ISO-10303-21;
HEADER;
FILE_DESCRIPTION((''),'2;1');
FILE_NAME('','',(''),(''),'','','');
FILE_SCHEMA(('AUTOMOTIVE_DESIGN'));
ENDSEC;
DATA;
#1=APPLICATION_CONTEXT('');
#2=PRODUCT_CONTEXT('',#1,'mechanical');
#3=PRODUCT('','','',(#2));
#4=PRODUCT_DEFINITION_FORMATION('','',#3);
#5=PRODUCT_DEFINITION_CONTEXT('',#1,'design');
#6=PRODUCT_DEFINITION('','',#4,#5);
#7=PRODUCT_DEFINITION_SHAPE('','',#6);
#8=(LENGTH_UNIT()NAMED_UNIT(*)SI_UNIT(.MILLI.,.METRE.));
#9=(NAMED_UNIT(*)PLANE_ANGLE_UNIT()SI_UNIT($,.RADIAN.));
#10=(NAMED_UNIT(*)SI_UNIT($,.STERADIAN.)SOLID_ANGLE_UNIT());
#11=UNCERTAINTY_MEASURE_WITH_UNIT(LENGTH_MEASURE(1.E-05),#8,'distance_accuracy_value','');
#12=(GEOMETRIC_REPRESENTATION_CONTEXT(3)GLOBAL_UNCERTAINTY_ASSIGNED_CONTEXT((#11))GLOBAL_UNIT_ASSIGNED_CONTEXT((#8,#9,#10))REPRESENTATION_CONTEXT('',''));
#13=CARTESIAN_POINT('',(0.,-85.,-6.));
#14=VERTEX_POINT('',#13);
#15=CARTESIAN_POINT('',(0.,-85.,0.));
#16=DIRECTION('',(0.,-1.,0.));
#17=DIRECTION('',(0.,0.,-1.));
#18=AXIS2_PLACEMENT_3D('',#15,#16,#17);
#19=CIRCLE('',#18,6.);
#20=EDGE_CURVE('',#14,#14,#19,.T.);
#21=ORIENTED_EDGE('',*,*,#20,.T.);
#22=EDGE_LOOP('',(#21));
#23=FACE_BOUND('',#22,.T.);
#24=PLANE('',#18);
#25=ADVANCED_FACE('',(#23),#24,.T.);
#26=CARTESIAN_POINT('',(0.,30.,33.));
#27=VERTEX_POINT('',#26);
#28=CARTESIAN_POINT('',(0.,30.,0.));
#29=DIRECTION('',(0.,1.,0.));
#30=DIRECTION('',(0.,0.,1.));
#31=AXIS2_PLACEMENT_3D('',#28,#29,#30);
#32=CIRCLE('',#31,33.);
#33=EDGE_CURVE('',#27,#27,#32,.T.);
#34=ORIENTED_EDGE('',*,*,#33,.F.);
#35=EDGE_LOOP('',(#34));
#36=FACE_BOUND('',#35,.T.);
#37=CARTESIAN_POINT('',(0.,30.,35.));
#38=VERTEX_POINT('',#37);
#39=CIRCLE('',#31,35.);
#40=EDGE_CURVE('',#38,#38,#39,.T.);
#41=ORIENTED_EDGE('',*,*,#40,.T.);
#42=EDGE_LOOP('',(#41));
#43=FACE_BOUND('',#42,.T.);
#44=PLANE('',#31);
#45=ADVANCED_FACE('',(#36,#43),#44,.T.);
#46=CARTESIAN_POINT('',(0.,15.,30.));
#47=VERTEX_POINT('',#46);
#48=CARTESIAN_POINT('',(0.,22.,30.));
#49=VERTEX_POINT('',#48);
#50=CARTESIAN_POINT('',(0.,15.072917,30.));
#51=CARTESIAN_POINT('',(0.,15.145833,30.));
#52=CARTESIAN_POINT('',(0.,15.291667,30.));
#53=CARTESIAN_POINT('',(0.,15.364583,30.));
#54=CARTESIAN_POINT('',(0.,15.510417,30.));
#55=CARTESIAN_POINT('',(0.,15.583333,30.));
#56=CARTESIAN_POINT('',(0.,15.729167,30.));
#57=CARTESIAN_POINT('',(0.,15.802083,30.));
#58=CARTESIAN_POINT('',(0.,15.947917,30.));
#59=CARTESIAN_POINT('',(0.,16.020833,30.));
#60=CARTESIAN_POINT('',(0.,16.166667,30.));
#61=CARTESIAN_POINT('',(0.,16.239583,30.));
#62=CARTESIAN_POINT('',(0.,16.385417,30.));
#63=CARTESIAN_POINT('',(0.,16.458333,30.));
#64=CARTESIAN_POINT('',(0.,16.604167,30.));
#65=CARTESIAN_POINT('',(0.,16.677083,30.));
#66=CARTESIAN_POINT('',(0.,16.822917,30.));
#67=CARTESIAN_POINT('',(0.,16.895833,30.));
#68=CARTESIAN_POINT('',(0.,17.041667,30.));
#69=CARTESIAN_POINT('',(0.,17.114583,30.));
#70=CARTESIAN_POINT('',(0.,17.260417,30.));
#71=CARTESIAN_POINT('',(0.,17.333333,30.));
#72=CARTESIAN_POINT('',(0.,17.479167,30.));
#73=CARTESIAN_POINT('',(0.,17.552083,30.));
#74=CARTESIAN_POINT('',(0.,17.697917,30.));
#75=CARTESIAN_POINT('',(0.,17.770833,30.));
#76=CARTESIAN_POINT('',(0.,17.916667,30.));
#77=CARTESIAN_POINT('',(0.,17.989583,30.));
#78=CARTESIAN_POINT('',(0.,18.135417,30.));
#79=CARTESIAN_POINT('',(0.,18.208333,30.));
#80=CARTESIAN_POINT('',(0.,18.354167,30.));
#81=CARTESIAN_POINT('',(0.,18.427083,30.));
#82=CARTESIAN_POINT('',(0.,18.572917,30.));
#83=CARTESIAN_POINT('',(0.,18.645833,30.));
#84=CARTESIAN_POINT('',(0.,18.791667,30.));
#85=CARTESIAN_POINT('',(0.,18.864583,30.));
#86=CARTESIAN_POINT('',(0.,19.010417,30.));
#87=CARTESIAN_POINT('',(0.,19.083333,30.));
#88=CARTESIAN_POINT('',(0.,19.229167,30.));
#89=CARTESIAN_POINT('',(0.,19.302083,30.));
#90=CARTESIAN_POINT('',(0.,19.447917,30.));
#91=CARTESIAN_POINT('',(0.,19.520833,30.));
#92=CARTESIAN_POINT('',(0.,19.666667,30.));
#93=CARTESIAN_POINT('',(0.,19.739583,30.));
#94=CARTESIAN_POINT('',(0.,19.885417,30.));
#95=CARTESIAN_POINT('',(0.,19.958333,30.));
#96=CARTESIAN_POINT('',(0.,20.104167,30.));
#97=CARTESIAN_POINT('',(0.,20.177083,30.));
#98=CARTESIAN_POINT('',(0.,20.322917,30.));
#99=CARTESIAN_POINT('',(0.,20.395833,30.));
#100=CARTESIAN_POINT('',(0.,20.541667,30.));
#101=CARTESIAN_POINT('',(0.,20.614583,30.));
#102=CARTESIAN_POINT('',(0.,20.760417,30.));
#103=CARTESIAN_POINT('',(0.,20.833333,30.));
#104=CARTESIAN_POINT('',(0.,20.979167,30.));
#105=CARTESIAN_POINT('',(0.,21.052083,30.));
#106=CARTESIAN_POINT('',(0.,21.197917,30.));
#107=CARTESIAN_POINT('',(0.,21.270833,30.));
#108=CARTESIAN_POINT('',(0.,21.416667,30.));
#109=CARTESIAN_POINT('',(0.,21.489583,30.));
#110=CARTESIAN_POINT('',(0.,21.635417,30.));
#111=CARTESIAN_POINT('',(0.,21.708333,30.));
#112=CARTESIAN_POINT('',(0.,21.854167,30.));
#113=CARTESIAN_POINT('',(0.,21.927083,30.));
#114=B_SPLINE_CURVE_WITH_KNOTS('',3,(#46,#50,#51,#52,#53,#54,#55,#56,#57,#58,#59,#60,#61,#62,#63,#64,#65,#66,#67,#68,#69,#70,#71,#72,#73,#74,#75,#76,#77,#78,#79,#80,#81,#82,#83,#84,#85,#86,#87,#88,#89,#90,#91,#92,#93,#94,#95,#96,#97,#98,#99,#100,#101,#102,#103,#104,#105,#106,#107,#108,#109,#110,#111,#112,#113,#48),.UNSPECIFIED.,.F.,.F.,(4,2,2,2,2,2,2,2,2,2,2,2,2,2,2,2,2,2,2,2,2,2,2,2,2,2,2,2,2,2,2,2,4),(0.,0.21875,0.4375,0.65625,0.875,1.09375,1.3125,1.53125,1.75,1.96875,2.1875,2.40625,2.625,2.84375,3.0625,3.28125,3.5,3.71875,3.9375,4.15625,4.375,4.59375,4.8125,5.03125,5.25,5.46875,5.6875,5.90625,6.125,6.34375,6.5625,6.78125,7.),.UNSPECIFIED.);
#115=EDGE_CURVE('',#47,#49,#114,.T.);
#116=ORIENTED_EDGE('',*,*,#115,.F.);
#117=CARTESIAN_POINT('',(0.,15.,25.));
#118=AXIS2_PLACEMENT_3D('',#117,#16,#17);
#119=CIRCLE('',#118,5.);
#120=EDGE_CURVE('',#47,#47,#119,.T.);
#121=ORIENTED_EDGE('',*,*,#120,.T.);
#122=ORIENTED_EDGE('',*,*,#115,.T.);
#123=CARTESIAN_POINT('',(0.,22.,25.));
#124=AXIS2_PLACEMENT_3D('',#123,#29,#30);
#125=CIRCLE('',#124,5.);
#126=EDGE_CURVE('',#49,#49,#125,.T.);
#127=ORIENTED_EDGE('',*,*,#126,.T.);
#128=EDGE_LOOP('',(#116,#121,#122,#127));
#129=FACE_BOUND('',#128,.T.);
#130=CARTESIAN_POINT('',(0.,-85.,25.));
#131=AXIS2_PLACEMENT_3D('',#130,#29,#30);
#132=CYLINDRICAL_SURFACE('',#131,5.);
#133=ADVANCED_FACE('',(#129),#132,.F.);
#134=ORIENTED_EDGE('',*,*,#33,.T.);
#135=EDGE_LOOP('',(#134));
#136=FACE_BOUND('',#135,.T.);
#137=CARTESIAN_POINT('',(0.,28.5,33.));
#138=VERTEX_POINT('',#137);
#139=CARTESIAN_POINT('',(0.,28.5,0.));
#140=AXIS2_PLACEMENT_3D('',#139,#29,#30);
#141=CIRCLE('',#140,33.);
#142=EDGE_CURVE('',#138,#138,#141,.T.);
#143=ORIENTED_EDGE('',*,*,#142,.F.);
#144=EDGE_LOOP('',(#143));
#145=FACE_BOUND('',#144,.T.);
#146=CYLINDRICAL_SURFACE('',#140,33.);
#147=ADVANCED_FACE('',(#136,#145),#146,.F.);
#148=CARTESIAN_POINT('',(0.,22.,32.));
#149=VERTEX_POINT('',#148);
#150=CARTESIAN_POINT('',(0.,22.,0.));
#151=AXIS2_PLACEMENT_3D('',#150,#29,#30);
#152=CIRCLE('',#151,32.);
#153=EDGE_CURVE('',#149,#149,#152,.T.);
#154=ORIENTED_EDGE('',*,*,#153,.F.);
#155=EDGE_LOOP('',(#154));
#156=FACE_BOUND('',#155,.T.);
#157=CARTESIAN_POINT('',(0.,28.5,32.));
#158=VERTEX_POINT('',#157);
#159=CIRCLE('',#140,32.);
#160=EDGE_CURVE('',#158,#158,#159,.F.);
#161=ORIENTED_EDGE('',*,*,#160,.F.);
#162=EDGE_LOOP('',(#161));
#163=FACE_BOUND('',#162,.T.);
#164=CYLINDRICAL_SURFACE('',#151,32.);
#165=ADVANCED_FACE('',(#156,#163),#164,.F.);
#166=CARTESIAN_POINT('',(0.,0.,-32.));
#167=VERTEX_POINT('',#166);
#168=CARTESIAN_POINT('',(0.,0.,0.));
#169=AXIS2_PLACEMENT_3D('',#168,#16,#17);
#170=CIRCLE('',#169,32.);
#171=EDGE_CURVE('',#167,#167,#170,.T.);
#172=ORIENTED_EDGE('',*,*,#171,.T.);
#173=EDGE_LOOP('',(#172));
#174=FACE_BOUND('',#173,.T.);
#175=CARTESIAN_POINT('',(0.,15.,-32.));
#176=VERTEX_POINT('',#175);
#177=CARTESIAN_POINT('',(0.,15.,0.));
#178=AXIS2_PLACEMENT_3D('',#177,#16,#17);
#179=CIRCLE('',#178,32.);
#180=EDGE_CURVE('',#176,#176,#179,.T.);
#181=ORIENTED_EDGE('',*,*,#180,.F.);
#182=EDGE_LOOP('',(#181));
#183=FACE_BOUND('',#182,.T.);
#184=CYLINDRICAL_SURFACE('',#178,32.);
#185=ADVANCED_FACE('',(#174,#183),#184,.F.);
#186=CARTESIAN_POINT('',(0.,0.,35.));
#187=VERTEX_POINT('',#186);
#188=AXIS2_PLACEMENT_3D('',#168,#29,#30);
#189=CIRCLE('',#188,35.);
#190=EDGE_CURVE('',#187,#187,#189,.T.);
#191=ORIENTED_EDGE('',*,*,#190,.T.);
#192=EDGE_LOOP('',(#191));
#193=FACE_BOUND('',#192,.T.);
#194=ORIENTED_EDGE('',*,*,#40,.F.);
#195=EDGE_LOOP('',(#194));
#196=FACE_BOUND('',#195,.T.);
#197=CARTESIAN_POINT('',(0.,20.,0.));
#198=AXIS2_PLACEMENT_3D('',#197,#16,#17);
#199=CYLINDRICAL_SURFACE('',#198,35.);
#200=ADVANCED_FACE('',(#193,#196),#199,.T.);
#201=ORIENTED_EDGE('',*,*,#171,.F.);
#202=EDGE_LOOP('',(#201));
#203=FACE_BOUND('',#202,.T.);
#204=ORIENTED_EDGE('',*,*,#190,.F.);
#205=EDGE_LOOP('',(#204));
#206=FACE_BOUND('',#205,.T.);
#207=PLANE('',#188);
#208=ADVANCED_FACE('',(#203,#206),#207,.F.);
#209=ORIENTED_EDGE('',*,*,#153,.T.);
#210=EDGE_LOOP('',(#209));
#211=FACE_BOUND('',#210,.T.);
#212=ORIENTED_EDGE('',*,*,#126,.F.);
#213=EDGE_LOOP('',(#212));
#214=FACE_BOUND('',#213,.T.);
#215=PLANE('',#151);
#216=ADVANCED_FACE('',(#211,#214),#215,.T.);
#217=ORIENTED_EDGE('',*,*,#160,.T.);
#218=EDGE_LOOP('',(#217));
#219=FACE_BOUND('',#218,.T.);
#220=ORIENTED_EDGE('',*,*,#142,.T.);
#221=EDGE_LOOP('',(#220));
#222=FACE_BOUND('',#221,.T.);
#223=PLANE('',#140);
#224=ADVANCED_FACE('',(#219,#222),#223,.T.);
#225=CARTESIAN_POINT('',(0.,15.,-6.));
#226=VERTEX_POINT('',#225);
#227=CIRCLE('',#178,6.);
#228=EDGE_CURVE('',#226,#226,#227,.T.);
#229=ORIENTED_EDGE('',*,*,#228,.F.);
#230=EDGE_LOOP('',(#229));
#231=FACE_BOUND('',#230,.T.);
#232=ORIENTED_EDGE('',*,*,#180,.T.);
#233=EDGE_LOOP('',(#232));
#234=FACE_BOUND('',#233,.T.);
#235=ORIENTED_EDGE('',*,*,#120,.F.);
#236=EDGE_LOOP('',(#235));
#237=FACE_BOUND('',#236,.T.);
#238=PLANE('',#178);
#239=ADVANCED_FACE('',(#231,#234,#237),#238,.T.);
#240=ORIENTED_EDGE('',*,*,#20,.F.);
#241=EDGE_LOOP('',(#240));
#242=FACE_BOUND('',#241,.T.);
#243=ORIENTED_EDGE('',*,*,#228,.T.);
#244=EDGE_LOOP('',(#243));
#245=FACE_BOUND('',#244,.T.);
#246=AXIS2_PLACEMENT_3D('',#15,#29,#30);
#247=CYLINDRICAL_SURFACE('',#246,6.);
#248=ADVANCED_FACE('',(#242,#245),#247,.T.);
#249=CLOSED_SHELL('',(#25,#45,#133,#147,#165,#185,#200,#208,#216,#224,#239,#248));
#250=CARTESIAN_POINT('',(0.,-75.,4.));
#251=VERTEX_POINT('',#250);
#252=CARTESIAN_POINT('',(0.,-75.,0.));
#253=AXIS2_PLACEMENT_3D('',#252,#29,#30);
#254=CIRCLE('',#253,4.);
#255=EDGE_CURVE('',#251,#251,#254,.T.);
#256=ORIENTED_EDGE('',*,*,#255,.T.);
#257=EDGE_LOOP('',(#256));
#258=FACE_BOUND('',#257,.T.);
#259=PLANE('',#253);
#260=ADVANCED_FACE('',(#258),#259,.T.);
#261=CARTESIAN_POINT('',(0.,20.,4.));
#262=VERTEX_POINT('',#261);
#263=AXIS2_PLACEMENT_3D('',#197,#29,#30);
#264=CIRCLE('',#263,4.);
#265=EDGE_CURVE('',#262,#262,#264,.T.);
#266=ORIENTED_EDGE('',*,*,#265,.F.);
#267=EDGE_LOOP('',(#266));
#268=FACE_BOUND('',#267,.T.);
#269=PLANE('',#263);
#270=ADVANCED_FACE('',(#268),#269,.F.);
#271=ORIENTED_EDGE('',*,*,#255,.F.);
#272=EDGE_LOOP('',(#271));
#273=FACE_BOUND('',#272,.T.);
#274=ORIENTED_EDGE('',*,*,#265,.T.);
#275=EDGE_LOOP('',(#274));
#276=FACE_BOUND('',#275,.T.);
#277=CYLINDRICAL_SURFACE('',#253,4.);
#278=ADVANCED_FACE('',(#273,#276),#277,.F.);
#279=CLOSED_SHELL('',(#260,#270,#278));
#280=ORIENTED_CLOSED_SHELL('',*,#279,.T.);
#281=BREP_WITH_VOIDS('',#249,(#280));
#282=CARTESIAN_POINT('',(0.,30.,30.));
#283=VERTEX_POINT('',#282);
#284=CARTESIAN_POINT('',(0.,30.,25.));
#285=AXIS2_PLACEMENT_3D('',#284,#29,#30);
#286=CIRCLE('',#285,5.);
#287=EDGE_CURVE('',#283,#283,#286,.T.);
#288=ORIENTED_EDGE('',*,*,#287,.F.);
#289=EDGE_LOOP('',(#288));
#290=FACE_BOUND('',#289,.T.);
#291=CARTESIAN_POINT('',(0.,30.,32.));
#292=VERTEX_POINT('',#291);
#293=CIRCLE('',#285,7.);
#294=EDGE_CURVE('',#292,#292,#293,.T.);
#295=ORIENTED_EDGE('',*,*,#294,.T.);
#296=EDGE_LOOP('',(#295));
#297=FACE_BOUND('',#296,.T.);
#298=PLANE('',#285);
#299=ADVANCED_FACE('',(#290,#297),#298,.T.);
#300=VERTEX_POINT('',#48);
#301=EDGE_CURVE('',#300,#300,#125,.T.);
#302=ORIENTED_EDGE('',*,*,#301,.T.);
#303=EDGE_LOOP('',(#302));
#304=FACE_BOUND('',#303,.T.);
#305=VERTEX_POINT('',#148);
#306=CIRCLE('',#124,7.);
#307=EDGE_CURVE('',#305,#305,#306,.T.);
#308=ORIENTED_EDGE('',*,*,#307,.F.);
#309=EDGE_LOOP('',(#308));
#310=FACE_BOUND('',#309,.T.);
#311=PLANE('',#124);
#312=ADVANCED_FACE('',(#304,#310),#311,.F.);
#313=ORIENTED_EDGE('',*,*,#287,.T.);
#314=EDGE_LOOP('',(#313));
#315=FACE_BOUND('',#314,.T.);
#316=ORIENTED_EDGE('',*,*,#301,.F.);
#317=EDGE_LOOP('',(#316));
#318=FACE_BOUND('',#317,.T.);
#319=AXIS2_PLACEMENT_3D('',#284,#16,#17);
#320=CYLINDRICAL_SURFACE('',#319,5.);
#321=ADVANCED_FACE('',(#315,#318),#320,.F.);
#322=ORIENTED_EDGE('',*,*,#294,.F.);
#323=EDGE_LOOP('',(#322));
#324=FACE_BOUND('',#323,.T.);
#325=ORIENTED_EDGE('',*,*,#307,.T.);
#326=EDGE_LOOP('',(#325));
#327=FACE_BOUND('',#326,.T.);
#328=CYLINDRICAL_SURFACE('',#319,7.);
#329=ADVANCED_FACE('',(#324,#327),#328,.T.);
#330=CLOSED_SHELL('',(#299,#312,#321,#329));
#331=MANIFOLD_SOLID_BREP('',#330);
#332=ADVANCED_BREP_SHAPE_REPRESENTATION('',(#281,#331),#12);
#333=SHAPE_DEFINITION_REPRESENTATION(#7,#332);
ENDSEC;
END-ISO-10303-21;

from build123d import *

# Parameters (mm, degrees)
SKETCH2_R            = 35
BOSS_EXTRUDE2_DEPTH  = 20
SKETCH3_R            = 32
CUT_EXTRUDE1_DEPTH   = 15
SKETCH4_R            = 6
BOSS_EXTRUDE3_DEPTH  = 100
SKETCH6_R            = 4
CUT_EXTRUDE3_DEPTH   = 95
SKETCH8_R            = 35
BOSS_EXTRUDE4_DEPTH  = 10
CUT_EXTRUDE4_START   = -8
SKETCH9_R            = 32
CUT_EXTRUDE4_DEPTH   = 8
SKETCH10_R           = 33
SKETCH10_R_2         = 31
CUT_EXTRUDE5_DEPTH   = 1.5
SKETCH11_R           = 5
CUT_EXTRUDE6_DEPTH   = 118.894020205
SKETCH13_R           = 7
SKETCH13_R_2         = 5
BOSS_EXTRUDE16_DEPTH = 8


with BuildPart() as part:
    # Sketch2 → Boss-Extrude2 (new body)
    with BuildSketch(Plane(origin=(0, 0, 0), x_dir=(1, 0, 0), z_dir=(0, 1, 0))):
        with Locations(Location((0, 0, 0), (0, 0, 270))):
            Circle(SKETCH2_R)
    extrude(amount=BOSS_EXTRUDE2_DEPTH)

    # Sketch3 → Cut-Extrude1 (cut)
    with BuildSketch(Plane.XZ):
        with Locations(Location((0, 0, 0), (0, 0, 270))):
            Circle(SKETCH3_R)
    extrude(amount=-CUT_EXTRUDE1_DEPTH, mode=Mode.SUBTRACT)

    # Sketch4 → Boss-Extrude3 (add)
    with BuildSketch(Plane.XZ.offset(-15)):
        with Locations(Location((0, 0, 0), (0, 0, 270))):
            Circle(SKETCH4_R)
    extrude(amount=BOSS_EXTRUDE3_DEPTH)

    # Sketch6 → Cut-Extrude3 (cut)
    with BuildSketch(Plane(origin=(0, 20, 0), x_dir=(1, 0, 0), z_dir=(0, 1, 0))):
        with Locations(Location((0, 0, 0), (0, 0, 270))):
            Circle(SKETCH6_R)
    extrude(amount=-CUT_EXTRUDE3_DEPTH, mode=Mode.SUBTRACT)

    # Sketch8 → Boss-Extrude4 (add)
    with BuildSketch(Plane(origin=(0, 20, 0), x_dir=(1, 0, 0), z_dir=(0, 1, 0))):
        with Locations(Location((0, 0, 0), (0, 0, 270))):
            Circle(SKETCH8_R)
    extrude(amount=BOSS_EXTRUDE4_DEPTH)

    # Sketch9 → Cut-Extrude4 (cut)
    with BuildSketch(Plane(origin=(0, 30, 0), x_dir=(1, 0, 0), z_dir=(0, 1, 0)).offset(CUT_EXTRUDE4_START)):
        with Locations(Location((0, 0, 0), (0, 0, 90))):
            Circle(SKETCH9_R)
    extrude(amount=CUT_EXTRUDE4_DEPTH, mode=Mode.SUBTRACT)

    # Sketch10 → Cut-Extrude5 (cut)
    with BuildSketch(Plane(origin=(0, 30, 0), x_dir=(1, 0, 0), z_dir=(0, 1, 0))):
        with Locations(Location((0, 0, 0), (0, 0, 270))):
            Circle(SKETCH10_R)
        Circle(SKETCH10_R_2, mode=Mode.SUBTRACT)
    extrude(amount=-CUT_EXTRUDE5_DEPTH, mode=Mode.SUBTRACT)

    # Sketch11 → Cut-Extrude6 (cut, through all)
    with BuildSketch(Plane(origin=(0, 22, 0), x_dir=(1, 0, 0), z_dir=(0, 1, 0))):
        with Locations(Location((0, -25, 0), (0, 0, 270))):
            Circle(SKETCH11_R)
    extrude(amount=-CUT_EXTRUDE6_DEPTH, mode=Mode.SUBTRACT)


with BuildPart() as body_2:
    # Sketch13 → Boss-Extrude16 (new body)
    with BuildSketch(Plane(origin=(0, 22, 0), x_dir=(1, 0, 0), z_dir=(0, 1, 0))):
        with Locations(Location((0, -25, 0), (0, 0, 270))):
            Circle(SKETCH13_R)
        with Locations(Location((0, -25, 0), (0, 0, 270))):
            Circle(SKETCH13_R_2, mode=Mode.SUBTRACT)
    extrude(amount=BOSS_EXTRUDE16_DEPTH)


solid = Compound([part.part, body_2.part])
